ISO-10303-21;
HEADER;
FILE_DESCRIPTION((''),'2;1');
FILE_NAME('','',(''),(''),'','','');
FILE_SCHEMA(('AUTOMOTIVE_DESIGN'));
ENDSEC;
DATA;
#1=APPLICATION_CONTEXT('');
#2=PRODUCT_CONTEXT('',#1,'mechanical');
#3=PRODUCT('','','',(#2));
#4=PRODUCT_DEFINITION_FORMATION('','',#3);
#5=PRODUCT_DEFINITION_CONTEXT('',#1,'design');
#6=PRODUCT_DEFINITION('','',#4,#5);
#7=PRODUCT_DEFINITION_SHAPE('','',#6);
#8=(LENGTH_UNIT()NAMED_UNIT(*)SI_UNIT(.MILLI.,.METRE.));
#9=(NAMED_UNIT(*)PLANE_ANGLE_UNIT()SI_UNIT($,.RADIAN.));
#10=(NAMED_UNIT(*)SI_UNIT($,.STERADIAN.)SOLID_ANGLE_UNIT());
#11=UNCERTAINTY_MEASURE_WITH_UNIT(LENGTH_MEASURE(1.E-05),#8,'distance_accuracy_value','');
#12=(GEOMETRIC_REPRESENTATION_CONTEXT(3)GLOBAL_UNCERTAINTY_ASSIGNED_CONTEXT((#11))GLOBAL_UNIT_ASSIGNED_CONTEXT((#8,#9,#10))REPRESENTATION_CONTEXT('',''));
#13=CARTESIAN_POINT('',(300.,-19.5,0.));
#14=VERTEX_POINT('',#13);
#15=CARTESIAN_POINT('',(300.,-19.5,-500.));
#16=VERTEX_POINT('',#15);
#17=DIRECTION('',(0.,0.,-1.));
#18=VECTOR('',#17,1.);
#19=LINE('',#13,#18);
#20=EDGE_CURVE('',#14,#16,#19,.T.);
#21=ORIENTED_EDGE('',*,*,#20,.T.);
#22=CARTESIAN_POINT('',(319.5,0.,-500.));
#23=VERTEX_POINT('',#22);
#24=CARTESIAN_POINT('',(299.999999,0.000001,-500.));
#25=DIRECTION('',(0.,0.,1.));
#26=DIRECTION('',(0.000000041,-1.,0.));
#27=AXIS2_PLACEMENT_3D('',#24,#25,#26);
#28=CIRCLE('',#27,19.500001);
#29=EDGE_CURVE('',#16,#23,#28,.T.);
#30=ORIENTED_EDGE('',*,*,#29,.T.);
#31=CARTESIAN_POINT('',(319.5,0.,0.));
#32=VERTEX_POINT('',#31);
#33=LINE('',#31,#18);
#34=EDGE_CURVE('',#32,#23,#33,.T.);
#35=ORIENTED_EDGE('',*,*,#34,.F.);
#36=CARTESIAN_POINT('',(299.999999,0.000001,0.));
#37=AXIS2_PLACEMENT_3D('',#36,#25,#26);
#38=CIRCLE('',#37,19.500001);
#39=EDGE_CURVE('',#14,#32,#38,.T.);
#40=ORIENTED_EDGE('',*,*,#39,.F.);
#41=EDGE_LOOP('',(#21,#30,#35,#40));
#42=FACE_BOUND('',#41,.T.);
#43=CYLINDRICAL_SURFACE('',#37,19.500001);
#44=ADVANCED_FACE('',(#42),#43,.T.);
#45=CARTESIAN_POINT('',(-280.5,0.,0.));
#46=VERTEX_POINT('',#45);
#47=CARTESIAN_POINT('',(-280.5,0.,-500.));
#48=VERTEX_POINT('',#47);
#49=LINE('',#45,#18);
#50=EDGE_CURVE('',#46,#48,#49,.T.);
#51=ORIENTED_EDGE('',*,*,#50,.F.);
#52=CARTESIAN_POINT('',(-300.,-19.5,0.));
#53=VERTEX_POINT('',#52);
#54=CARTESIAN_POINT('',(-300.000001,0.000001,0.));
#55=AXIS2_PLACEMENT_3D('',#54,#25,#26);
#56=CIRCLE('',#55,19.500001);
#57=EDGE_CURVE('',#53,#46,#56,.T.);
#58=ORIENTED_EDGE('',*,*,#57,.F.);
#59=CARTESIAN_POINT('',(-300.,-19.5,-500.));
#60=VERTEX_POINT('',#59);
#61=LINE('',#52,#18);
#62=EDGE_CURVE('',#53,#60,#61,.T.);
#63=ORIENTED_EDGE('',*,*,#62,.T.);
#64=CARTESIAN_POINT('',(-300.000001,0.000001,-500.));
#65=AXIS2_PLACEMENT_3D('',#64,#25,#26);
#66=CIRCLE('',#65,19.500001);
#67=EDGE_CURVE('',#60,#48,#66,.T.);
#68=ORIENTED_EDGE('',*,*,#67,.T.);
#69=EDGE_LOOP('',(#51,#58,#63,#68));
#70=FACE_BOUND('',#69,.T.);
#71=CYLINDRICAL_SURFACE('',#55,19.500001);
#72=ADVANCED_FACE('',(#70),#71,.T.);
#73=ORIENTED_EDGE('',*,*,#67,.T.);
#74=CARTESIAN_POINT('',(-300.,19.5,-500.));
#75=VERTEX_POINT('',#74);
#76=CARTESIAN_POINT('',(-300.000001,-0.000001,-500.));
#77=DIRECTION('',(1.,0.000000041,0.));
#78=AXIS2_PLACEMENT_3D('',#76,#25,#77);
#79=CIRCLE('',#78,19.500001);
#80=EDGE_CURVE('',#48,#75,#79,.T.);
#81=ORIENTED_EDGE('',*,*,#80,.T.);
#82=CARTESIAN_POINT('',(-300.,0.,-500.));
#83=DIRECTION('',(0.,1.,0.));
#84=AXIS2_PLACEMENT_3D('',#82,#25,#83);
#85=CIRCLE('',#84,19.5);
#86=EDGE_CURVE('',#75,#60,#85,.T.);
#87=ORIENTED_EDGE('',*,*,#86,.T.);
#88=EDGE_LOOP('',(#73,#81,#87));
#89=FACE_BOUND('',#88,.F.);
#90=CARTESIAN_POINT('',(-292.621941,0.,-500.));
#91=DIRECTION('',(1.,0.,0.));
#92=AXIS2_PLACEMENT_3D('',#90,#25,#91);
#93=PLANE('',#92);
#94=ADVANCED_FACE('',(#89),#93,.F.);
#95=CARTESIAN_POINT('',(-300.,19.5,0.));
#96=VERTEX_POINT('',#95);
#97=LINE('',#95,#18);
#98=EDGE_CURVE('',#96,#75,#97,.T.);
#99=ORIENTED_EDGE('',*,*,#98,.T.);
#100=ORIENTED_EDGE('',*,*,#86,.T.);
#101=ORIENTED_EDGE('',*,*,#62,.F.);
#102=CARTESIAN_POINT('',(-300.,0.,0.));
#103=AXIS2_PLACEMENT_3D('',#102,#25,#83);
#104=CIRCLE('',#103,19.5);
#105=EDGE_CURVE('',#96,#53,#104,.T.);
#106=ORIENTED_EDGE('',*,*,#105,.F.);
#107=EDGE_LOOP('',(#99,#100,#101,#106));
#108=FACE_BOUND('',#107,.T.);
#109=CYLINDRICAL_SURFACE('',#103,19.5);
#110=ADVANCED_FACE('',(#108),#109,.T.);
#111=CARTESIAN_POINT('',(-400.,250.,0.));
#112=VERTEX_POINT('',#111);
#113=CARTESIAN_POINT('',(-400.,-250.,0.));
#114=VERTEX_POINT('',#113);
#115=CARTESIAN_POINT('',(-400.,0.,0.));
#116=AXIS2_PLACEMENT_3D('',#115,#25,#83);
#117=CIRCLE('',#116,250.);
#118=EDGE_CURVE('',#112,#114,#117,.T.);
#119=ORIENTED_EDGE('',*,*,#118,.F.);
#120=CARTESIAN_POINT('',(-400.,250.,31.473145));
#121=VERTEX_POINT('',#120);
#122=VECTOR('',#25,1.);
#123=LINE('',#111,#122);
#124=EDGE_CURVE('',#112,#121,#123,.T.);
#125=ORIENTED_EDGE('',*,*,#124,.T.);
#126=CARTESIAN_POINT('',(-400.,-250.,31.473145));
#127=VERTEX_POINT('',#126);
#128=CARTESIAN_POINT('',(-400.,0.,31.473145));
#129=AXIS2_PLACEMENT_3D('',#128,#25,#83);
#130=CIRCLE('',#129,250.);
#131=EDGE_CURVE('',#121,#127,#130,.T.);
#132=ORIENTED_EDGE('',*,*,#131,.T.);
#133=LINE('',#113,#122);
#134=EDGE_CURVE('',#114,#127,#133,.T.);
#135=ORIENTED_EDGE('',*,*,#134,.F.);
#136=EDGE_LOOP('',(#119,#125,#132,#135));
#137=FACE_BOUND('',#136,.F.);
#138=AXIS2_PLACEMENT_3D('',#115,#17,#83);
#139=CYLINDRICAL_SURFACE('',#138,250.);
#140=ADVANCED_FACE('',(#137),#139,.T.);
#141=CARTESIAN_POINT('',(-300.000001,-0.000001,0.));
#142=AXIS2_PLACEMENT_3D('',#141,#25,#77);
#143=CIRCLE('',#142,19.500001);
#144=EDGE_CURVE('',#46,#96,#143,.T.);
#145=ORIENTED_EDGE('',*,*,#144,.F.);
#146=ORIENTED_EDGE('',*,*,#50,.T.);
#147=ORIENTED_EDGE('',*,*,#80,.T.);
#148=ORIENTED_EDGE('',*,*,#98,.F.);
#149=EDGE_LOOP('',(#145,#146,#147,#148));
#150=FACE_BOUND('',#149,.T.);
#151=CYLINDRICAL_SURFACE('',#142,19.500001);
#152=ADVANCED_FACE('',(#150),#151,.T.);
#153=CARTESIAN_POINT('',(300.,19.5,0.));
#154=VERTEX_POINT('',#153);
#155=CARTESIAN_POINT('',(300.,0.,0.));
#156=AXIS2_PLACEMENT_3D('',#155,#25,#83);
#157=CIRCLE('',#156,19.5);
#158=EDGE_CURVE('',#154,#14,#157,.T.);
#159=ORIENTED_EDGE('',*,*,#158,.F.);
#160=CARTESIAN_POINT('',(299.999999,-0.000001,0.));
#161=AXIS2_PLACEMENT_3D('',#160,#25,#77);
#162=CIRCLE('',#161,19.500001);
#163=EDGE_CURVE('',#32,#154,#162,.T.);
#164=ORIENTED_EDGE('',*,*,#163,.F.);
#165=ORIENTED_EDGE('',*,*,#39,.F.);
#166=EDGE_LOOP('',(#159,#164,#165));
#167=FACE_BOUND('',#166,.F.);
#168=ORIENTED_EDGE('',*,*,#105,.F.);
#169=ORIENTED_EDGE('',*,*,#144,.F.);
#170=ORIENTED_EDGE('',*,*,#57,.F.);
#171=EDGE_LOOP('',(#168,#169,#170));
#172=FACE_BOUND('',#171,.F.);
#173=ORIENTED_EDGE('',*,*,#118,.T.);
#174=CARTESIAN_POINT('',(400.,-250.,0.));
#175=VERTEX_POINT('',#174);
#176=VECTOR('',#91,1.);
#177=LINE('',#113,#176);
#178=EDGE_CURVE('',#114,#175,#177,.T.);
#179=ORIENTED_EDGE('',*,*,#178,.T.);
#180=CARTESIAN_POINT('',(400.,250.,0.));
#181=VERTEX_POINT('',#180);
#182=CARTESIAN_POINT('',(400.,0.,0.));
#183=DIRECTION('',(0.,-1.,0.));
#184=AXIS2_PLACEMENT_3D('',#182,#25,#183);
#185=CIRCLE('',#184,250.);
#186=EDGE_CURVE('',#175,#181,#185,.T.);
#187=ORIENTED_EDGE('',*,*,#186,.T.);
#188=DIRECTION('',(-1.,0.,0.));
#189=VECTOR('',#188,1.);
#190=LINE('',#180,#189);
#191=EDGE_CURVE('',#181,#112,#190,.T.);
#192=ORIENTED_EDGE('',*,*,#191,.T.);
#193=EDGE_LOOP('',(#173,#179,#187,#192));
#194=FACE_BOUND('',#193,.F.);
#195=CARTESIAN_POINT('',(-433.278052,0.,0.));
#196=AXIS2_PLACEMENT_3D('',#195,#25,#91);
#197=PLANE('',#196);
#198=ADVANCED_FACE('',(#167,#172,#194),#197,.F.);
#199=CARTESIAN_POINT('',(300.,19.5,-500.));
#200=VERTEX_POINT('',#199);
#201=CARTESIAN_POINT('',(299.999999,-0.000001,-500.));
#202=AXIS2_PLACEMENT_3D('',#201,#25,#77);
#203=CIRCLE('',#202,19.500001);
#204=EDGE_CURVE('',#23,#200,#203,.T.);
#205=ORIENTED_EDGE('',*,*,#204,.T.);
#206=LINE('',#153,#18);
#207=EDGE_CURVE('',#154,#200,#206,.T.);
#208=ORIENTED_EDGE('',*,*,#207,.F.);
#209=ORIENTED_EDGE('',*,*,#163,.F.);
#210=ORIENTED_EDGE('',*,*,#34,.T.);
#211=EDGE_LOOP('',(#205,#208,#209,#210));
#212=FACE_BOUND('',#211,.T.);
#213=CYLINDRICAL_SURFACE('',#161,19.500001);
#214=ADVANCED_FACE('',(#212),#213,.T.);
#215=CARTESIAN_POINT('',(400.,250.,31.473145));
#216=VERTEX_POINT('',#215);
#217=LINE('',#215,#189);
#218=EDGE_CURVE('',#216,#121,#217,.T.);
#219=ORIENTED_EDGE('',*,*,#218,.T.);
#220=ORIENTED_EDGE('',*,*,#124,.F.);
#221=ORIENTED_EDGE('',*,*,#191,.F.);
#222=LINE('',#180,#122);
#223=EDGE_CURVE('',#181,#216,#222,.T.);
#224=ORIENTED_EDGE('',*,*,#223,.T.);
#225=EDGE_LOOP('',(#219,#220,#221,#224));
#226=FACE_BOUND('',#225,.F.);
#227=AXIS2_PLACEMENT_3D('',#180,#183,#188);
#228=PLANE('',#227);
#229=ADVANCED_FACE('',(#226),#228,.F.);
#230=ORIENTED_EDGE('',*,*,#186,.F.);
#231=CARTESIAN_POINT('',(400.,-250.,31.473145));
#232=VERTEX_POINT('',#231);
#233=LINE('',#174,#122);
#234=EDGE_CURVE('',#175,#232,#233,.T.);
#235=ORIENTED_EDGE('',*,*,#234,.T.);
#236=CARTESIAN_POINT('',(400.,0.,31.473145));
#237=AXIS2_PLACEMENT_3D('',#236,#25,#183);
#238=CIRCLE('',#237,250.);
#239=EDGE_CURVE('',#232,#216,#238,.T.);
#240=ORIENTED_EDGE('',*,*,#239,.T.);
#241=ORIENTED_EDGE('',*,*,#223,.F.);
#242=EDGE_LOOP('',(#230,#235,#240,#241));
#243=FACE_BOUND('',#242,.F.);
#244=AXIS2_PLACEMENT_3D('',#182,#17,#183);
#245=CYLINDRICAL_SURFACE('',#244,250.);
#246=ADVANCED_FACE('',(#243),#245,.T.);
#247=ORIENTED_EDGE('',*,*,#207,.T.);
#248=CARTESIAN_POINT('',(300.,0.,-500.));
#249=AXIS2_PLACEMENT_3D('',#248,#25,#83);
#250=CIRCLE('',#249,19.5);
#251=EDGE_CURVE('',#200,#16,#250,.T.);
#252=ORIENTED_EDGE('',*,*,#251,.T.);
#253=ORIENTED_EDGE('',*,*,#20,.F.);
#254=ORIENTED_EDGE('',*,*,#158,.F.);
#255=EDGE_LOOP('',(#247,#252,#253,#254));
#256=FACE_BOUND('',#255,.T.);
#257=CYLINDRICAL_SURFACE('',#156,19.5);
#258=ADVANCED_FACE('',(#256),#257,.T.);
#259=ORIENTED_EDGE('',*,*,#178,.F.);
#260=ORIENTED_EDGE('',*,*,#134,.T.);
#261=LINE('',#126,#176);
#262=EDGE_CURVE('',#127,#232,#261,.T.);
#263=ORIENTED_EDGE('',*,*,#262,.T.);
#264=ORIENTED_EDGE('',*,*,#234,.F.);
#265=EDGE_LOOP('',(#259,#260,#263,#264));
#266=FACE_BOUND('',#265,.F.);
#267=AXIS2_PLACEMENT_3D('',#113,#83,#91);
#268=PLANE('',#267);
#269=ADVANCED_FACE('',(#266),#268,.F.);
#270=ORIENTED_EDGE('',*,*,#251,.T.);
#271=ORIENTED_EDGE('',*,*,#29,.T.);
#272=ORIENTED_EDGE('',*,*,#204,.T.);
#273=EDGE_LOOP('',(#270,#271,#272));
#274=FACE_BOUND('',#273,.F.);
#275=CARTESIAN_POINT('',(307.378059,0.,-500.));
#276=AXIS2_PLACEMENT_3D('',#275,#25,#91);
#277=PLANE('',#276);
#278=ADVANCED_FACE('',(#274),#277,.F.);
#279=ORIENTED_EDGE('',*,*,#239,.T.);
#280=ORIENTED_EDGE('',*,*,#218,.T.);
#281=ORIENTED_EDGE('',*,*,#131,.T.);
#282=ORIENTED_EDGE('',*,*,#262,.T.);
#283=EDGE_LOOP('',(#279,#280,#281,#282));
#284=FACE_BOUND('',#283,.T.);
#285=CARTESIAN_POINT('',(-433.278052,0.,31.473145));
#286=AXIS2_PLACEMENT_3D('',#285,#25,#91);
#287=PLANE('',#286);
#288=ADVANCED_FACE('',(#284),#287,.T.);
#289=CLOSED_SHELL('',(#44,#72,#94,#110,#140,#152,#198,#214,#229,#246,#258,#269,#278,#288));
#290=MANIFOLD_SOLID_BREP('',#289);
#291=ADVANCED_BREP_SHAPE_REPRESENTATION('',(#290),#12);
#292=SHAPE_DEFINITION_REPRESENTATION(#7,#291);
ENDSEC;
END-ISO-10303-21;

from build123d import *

# Parameters (mm, degrees)
F0_W     = 600
F0_H     = 500
F1_DEPTH = 31.473145
F3_DEPTH = 500


with BuildPart() as f1:
    # F0 (on Top) → F1 (new body)
    with BuildSketch(Plane.XY):
        with BuildLine():
            Line((-300, -250), (-300, 250))
            Line((-300, 250), (-400, 250))
            ThreePointArc((-400, 250), (-650, 0), (-400, -250))
            Line((-400, -250), (-300, -250))
        make_face()
        Rectangle(F0_W, F0_H)
        with BuildLine():
            Line((400, 250), (300, 250))
            Line((300, 250), (300, -250))
            Line((300, -250), (400, -250))
            ThreePointArc((400, -250), (650, 0), (400, 250))
        make_face()
    extrude(amount=F1_DEPTH)

    # F2 (on Top) → F3 (join)
    with BuildSketch(Plane.XY):
        with BuildLine():
            ThreePointArc((-280.5, 0), (-286.211418, 13.788582), (-300, 19.5))
            Line((-300, 19.5), (-300, -19.5))
            ThreePointArc((-300, -19.5), (-286.211418, -13.788582), (-280.5, 0))
        make_face()
        with BuildLine():
            Line((-300, -19.5), (-300, 19.5))
            ThreePointArc((-300, 19.5), (-319.5, 0), (-300, -19.5))
        make_face()
        with BuildLine():
            ThreePointArc((319.5, 0), (313.788582, 13.788582), (300, 19.5))
            Line((300, 19.5), (300, -19.5))
            ThreePointArc((300, -19.5), (313.788582, -13.788582), (319.5, 0))
        make_face()
        with BuildLine():
            Line((300, -19.5), (300, 19.5))
            ThreePointArc((300, 19.5), (280.5, 0), (300, -19.5))
        make_face()
    extrude(amount=-F3_DEPTH)


solid = f1.part
